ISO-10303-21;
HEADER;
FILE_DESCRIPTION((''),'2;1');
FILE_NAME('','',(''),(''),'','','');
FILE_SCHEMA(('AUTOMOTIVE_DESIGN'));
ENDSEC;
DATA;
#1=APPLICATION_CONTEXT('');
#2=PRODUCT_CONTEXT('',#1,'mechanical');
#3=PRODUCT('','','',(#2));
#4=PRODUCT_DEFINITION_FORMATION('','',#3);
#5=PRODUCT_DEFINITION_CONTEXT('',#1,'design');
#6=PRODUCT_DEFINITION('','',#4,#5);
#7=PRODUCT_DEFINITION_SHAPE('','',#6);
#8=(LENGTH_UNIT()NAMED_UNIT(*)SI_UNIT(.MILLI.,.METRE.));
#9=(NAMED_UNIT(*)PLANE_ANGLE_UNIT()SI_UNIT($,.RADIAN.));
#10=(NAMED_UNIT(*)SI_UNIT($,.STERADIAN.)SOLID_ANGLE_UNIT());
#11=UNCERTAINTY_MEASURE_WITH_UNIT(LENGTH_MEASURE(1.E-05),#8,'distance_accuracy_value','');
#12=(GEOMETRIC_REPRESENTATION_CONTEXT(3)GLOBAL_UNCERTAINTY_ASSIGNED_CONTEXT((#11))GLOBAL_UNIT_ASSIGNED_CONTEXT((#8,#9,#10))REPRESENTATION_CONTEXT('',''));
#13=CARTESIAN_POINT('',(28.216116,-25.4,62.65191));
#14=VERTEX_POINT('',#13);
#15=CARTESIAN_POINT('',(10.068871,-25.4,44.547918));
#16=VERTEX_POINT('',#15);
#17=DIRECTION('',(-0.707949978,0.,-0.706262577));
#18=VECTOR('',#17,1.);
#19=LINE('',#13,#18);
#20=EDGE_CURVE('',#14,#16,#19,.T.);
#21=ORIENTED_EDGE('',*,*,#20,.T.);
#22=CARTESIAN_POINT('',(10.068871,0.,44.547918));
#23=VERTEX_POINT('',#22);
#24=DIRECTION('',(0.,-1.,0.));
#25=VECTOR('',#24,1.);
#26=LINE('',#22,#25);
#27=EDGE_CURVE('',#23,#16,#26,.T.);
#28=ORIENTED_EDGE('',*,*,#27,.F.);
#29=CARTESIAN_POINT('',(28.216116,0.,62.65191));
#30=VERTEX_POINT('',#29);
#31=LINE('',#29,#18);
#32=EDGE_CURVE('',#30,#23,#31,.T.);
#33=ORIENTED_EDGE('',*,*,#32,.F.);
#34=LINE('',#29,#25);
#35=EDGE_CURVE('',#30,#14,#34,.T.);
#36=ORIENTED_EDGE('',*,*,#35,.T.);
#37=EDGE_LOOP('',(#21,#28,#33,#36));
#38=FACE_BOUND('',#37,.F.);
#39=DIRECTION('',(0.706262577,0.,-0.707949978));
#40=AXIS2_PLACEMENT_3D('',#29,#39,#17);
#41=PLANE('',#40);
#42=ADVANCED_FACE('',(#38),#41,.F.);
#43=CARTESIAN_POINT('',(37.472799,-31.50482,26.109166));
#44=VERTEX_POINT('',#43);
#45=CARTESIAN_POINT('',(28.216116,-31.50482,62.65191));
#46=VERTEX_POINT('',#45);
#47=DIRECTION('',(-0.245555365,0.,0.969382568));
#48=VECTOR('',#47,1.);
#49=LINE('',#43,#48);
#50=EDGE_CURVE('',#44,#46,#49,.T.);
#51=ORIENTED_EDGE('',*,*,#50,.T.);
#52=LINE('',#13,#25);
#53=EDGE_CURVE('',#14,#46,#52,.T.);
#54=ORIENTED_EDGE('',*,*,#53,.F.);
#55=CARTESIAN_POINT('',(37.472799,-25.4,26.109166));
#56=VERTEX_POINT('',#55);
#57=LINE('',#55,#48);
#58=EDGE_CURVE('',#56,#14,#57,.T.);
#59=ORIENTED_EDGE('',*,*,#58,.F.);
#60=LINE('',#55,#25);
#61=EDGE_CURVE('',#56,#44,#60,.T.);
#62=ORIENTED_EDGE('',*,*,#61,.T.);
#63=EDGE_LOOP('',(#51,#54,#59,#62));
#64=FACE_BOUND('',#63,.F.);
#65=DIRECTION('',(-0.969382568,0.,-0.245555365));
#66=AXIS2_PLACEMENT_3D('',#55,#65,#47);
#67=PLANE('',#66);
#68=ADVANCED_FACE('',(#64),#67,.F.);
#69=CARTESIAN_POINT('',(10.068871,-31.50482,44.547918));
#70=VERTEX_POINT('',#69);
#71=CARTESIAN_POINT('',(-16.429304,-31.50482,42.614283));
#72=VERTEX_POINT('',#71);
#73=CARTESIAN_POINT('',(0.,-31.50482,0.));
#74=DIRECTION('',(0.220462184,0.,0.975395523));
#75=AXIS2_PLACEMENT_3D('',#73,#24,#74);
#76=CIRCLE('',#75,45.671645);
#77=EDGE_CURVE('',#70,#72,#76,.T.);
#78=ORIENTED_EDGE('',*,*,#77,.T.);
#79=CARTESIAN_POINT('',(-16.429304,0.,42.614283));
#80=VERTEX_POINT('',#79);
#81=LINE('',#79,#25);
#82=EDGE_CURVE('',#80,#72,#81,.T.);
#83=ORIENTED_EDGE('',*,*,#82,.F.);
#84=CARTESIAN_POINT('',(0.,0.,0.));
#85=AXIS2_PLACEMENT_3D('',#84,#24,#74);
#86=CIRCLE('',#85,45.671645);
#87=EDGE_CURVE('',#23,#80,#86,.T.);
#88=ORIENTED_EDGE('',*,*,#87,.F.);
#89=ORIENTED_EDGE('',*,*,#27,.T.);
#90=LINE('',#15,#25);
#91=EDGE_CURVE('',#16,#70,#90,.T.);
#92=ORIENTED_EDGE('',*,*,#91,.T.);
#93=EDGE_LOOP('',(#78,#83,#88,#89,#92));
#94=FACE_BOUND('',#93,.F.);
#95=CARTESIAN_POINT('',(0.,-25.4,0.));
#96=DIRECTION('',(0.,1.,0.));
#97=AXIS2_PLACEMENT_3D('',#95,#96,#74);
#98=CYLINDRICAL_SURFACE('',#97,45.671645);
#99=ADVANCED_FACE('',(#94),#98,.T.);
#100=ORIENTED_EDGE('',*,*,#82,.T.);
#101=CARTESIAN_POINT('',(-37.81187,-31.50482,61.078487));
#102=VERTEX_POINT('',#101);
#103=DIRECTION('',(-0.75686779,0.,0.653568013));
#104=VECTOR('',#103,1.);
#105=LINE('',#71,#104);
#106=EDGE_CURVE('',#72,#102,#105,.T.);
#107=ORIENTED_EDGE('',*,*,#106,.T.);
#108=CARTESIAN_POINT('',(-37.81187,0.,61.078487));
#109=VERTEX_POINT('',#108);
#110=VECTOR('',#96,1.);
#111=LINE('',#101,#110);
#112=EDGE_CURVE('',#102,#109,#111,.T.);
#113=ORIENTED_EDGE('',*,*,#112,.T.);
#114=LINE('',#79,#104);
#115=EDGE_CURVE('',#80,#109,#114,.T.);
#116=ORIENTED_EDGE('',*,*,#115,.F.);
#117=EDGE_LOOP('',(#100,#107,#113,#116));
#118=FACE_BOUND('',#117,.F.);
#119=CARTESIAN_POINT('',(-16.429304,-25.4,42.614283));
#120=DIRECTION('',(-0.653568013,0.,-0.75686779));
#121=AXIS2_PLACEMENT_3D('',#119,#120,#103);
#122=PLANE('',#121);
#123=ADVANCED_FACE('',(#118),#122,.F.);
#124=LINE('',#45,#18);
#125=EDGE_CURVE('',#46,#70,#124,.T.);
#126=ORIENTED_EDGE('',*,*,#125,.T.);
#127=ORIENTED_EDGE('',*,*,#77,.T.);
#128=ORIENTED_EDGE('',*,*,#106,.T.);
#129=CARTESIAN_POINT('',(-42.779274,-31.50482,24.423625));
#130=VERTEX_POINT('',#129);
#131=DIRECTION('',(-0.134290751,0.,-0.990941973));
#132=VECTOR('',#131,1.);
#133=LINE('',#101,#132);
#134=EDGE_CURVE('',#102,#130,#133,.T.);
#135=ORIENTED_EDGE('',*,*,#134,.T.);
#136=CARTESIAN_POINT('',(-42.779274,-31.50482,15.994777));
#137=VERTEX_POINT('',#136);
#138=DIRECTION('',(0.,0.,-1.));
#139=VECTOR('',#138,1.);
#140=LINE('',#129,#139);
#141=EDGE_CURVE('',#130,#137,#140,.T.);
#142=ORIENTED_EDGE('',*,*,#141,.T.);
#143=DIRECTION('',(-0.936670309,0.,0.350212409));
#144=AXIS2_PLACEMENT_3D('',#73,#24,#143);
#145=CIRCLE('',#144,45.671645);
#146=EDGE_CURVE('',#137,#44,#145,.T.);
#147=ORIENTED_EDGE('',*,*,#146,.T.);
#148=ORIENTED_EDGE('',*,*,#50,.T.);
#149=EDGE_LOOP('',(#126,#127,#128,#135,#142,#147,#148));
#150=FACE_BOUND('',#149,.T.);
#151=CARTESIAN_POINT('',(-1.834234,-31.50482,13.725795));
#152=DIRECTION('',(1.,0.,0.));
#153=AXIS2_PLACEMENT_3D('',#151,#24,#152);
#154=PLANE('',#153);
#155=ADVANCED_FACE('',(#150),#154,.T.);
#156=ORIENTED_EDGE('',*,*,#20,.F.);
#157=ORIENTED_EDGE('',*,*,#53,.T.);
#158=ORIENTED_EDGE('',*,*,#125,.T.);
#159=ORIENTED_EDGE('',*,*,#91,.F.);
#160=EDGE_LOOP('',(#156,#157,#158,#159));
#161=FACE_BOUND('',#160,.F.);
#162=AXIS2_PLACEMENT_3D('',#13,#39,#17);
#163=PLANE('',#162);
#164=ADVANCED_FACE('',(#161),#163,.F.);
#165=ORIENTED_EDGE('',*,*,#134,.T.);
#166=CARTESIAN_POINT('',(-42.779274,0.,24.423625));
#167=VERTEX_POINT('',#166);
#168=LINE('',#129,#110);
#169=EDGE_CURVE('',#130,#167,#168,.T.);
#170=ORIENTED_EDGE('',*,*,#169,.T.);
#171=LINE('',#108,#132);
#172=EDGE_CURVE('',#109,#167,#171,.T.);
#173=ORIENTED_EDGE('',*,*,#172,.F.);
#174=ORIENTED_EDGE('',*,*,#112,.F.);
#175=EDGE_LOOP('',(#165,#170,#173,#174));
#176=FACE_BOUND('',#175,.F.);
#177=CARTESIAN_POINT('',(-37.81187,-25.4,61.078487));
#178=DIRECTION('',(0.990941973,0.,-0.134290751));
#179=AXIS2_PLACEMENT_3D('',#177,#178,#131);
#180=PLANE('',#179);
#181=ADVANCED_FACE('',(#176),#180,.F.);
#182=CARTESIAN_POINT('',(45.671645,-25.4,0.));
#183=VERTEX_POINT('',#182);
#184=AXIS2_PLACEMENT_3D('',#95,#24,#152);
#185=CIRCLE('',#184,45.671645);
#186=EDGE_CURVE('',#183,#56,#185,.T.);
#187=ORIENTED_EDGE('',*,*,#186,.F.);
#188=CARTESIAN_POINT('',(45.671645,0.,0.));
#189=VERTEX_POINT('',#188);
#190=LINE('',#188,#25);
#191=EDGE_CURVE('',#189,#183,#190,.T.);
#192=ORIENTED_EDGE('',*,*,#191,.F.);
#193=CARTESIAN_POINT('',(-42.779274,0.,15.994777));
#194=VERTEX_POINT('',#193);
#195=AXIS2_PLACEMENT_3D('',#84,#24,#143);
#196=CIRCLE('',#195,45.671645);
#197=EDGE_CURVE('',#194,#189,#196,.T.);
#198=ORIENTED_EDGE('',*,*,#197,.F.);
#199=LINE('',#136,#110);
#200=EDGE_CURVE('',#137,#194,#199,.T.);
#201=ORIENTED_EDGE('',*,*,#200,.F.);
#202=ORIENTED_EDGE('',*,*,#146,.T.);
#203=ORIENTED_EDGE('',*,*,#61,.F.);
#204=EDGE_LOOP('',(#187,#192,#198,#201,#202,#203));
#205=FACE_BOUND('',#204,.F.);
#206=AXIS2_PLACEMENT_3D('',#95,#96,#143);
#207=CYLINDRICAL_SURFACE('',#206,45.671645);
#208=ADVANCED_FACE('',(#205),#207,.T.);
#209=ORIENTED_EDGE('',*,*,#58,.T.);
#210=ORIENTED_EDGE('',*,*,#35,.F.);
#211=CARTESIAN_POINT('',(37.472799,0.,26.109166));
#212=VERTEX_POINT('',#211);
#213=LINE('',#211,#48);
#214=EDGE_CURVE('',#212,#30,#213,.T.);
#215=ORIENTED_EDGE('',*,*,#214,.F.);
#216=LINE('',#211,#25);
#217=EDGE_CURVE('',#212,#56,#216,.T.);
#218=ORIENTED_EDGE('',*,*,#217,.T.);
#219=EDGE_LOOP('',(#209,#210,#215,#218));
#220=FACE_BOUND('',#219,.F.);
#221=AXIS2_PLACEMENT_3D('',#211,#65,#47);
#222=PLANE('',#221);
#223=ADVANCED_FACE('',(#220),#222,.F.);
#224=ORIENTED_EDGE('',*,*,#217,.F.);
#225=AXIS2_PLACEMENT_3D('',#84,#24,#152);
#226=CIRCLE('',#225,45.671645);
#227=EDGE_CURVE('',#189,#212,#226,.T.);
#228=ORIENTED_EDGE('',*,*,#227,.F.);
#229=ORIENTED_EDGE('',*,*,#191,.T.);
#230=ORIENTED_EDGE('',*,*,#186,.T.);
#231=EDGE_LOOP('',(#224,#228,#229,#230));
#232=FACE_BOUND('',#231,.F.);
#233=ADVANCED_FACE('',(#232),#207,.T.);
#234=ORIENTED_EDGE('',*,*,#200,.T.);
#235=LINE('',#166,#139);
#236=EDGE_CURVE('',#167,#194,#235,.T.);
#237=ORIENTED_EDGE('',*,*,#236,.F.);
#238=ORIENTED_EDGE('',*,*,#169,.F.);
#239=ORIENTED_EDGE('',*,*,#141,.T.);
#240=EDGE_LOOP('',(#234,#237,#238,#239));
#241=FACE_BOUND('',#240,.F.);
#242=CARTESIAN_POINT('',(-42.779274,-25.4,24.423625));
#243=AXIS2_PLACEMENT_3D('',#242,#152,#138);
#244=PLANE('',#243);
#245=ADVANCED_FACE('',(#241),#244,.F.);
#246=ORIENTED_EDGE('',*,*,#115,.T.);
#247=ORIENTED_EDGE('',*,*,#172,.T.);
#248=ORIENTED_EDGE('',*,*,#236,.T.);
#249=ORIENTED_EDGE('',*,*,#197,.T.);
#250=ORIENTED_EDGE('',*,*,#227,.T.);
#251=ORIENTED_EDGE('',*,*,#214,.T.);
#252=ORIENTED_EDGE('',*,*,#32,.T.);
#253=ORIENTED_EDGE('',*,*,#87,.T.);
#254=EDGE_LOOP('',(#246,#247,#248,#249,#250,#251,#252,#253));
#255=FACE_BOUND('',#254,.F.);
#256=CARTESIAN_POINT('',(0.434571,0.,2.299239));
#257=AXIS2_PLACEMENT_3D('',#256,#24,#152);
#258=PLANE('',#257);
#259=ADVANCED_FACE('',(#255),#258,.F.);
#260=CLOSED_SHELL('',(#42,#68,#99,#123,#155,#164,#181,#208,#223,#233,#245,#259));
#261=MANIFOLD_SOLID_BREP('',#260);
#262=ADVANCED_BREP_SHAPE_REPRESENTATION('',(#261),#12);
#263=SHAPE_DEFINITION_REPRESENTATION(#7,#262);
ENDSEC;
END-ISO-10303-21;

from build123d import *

# Parameters (mm, degrees)
F1_DEPTH = 25.4
F2_R     = 9.7277156986
F3_DEPTH = 6.10482


with BuildPart() as f1:
    # F0 (on Front) → F1 (new body)
    with BuildSketch(Plane.XZ):
        with BuildLine():
            ThreePointArc((-42.7792742848, 15.9947769817), (-8.1270951408, -44.9427360494), (45.6716454601, 0))
            ThreePointArc((45.6716454601, 0), (43.5737511588, 13.6831067007), (37.4727987973, 26.1091660022))
            ThreePointArc((37.4727987973, 26.1091660022), (25.4960679955, 37.8926076669), (10.0688707116, 44.5479184881))
            ThreePointArc((10.0688707116, 44.5479184881), (-3.3239307384, 45.5505289045), (-16.4293044803, 42.6142834426))
            ThreePointArc((-16.4293044803, 42.6142834426), (-32.4586426226, 32.129981608), (-42.7792742848, 15.9947769817))
        make_face()
        with BuildLine():
            Line((-42.7792742848, 24.4236253202), (-42.7792742848, 15.9947769817))
            ThreePointArc((-42.7792742848, 15.9947769817), (-32.4586426226, 32.129981608), (-16.4293044803, 42.6142834426))
            Line((-16.4293044803, 42.6142834426), (-37.8118704593, 61.0784872959))
            Line((-37.8118704593, 61.0784872959), (-42.7792742848, 24.4236253202))
        make_face()
        with BuildLine():
            ThreePointArc((10.0688707116, 44.5479184881), (25.4960679955, 37.8926076669), (37.4727987973, 26.1091660022))
            Line((37.4727987973, 26.1091660022), (28.2161161304, 62.6519098878))
            Line((28.2161161304, 62.6519098878), (10.0688707116, 44.5479184881))
        make_face()
    extrude(amount=F1_DEPTH)

    # F1_face (on face) + F2 (on Front) → F3 (join)
    with BuildSketch(Plane(origin=(-0.8175893235, -25.4, 4.7163368338), x_dir=(1, 0, 0), z_dir=(0, -1, 0))):
        with BuildLine():
            ThreePointArc((-41.9616849613, 11.2784401479), (6.5285338023, -50.0295171701), (38.2903881208, 21.3928291684))
            Line((38.2903881208, 21.3928291684), (29.0337054538, 57.935573054))
            Line((29.0337054538, 57.935573054), (10.8864600351, 39.8315816543))
            ThreePointArc((10.8864600351, 39.8315816543), (-2.5063414149, 40.8341920707), (-15.6117151568, 37.8979466088))
            Line((-15.6117151568, 37.8979466088), (-36.9942811358, 56.3621504621))
            Line((-36.9942811358, 56.3621504621), (-41.9616849613, 19.7072884864))
            Line((-41.9616849613, 19.7072884864), (-41.9616849613, 11.2784401479))
        make_face()
    with BuildSketch(Plane.XZ):
        with Locations((12.1359648183, 13.1978578866)):
            Circle(F2_R)
    extrude(amount=F3_DEPTH)


solid = f1.part
